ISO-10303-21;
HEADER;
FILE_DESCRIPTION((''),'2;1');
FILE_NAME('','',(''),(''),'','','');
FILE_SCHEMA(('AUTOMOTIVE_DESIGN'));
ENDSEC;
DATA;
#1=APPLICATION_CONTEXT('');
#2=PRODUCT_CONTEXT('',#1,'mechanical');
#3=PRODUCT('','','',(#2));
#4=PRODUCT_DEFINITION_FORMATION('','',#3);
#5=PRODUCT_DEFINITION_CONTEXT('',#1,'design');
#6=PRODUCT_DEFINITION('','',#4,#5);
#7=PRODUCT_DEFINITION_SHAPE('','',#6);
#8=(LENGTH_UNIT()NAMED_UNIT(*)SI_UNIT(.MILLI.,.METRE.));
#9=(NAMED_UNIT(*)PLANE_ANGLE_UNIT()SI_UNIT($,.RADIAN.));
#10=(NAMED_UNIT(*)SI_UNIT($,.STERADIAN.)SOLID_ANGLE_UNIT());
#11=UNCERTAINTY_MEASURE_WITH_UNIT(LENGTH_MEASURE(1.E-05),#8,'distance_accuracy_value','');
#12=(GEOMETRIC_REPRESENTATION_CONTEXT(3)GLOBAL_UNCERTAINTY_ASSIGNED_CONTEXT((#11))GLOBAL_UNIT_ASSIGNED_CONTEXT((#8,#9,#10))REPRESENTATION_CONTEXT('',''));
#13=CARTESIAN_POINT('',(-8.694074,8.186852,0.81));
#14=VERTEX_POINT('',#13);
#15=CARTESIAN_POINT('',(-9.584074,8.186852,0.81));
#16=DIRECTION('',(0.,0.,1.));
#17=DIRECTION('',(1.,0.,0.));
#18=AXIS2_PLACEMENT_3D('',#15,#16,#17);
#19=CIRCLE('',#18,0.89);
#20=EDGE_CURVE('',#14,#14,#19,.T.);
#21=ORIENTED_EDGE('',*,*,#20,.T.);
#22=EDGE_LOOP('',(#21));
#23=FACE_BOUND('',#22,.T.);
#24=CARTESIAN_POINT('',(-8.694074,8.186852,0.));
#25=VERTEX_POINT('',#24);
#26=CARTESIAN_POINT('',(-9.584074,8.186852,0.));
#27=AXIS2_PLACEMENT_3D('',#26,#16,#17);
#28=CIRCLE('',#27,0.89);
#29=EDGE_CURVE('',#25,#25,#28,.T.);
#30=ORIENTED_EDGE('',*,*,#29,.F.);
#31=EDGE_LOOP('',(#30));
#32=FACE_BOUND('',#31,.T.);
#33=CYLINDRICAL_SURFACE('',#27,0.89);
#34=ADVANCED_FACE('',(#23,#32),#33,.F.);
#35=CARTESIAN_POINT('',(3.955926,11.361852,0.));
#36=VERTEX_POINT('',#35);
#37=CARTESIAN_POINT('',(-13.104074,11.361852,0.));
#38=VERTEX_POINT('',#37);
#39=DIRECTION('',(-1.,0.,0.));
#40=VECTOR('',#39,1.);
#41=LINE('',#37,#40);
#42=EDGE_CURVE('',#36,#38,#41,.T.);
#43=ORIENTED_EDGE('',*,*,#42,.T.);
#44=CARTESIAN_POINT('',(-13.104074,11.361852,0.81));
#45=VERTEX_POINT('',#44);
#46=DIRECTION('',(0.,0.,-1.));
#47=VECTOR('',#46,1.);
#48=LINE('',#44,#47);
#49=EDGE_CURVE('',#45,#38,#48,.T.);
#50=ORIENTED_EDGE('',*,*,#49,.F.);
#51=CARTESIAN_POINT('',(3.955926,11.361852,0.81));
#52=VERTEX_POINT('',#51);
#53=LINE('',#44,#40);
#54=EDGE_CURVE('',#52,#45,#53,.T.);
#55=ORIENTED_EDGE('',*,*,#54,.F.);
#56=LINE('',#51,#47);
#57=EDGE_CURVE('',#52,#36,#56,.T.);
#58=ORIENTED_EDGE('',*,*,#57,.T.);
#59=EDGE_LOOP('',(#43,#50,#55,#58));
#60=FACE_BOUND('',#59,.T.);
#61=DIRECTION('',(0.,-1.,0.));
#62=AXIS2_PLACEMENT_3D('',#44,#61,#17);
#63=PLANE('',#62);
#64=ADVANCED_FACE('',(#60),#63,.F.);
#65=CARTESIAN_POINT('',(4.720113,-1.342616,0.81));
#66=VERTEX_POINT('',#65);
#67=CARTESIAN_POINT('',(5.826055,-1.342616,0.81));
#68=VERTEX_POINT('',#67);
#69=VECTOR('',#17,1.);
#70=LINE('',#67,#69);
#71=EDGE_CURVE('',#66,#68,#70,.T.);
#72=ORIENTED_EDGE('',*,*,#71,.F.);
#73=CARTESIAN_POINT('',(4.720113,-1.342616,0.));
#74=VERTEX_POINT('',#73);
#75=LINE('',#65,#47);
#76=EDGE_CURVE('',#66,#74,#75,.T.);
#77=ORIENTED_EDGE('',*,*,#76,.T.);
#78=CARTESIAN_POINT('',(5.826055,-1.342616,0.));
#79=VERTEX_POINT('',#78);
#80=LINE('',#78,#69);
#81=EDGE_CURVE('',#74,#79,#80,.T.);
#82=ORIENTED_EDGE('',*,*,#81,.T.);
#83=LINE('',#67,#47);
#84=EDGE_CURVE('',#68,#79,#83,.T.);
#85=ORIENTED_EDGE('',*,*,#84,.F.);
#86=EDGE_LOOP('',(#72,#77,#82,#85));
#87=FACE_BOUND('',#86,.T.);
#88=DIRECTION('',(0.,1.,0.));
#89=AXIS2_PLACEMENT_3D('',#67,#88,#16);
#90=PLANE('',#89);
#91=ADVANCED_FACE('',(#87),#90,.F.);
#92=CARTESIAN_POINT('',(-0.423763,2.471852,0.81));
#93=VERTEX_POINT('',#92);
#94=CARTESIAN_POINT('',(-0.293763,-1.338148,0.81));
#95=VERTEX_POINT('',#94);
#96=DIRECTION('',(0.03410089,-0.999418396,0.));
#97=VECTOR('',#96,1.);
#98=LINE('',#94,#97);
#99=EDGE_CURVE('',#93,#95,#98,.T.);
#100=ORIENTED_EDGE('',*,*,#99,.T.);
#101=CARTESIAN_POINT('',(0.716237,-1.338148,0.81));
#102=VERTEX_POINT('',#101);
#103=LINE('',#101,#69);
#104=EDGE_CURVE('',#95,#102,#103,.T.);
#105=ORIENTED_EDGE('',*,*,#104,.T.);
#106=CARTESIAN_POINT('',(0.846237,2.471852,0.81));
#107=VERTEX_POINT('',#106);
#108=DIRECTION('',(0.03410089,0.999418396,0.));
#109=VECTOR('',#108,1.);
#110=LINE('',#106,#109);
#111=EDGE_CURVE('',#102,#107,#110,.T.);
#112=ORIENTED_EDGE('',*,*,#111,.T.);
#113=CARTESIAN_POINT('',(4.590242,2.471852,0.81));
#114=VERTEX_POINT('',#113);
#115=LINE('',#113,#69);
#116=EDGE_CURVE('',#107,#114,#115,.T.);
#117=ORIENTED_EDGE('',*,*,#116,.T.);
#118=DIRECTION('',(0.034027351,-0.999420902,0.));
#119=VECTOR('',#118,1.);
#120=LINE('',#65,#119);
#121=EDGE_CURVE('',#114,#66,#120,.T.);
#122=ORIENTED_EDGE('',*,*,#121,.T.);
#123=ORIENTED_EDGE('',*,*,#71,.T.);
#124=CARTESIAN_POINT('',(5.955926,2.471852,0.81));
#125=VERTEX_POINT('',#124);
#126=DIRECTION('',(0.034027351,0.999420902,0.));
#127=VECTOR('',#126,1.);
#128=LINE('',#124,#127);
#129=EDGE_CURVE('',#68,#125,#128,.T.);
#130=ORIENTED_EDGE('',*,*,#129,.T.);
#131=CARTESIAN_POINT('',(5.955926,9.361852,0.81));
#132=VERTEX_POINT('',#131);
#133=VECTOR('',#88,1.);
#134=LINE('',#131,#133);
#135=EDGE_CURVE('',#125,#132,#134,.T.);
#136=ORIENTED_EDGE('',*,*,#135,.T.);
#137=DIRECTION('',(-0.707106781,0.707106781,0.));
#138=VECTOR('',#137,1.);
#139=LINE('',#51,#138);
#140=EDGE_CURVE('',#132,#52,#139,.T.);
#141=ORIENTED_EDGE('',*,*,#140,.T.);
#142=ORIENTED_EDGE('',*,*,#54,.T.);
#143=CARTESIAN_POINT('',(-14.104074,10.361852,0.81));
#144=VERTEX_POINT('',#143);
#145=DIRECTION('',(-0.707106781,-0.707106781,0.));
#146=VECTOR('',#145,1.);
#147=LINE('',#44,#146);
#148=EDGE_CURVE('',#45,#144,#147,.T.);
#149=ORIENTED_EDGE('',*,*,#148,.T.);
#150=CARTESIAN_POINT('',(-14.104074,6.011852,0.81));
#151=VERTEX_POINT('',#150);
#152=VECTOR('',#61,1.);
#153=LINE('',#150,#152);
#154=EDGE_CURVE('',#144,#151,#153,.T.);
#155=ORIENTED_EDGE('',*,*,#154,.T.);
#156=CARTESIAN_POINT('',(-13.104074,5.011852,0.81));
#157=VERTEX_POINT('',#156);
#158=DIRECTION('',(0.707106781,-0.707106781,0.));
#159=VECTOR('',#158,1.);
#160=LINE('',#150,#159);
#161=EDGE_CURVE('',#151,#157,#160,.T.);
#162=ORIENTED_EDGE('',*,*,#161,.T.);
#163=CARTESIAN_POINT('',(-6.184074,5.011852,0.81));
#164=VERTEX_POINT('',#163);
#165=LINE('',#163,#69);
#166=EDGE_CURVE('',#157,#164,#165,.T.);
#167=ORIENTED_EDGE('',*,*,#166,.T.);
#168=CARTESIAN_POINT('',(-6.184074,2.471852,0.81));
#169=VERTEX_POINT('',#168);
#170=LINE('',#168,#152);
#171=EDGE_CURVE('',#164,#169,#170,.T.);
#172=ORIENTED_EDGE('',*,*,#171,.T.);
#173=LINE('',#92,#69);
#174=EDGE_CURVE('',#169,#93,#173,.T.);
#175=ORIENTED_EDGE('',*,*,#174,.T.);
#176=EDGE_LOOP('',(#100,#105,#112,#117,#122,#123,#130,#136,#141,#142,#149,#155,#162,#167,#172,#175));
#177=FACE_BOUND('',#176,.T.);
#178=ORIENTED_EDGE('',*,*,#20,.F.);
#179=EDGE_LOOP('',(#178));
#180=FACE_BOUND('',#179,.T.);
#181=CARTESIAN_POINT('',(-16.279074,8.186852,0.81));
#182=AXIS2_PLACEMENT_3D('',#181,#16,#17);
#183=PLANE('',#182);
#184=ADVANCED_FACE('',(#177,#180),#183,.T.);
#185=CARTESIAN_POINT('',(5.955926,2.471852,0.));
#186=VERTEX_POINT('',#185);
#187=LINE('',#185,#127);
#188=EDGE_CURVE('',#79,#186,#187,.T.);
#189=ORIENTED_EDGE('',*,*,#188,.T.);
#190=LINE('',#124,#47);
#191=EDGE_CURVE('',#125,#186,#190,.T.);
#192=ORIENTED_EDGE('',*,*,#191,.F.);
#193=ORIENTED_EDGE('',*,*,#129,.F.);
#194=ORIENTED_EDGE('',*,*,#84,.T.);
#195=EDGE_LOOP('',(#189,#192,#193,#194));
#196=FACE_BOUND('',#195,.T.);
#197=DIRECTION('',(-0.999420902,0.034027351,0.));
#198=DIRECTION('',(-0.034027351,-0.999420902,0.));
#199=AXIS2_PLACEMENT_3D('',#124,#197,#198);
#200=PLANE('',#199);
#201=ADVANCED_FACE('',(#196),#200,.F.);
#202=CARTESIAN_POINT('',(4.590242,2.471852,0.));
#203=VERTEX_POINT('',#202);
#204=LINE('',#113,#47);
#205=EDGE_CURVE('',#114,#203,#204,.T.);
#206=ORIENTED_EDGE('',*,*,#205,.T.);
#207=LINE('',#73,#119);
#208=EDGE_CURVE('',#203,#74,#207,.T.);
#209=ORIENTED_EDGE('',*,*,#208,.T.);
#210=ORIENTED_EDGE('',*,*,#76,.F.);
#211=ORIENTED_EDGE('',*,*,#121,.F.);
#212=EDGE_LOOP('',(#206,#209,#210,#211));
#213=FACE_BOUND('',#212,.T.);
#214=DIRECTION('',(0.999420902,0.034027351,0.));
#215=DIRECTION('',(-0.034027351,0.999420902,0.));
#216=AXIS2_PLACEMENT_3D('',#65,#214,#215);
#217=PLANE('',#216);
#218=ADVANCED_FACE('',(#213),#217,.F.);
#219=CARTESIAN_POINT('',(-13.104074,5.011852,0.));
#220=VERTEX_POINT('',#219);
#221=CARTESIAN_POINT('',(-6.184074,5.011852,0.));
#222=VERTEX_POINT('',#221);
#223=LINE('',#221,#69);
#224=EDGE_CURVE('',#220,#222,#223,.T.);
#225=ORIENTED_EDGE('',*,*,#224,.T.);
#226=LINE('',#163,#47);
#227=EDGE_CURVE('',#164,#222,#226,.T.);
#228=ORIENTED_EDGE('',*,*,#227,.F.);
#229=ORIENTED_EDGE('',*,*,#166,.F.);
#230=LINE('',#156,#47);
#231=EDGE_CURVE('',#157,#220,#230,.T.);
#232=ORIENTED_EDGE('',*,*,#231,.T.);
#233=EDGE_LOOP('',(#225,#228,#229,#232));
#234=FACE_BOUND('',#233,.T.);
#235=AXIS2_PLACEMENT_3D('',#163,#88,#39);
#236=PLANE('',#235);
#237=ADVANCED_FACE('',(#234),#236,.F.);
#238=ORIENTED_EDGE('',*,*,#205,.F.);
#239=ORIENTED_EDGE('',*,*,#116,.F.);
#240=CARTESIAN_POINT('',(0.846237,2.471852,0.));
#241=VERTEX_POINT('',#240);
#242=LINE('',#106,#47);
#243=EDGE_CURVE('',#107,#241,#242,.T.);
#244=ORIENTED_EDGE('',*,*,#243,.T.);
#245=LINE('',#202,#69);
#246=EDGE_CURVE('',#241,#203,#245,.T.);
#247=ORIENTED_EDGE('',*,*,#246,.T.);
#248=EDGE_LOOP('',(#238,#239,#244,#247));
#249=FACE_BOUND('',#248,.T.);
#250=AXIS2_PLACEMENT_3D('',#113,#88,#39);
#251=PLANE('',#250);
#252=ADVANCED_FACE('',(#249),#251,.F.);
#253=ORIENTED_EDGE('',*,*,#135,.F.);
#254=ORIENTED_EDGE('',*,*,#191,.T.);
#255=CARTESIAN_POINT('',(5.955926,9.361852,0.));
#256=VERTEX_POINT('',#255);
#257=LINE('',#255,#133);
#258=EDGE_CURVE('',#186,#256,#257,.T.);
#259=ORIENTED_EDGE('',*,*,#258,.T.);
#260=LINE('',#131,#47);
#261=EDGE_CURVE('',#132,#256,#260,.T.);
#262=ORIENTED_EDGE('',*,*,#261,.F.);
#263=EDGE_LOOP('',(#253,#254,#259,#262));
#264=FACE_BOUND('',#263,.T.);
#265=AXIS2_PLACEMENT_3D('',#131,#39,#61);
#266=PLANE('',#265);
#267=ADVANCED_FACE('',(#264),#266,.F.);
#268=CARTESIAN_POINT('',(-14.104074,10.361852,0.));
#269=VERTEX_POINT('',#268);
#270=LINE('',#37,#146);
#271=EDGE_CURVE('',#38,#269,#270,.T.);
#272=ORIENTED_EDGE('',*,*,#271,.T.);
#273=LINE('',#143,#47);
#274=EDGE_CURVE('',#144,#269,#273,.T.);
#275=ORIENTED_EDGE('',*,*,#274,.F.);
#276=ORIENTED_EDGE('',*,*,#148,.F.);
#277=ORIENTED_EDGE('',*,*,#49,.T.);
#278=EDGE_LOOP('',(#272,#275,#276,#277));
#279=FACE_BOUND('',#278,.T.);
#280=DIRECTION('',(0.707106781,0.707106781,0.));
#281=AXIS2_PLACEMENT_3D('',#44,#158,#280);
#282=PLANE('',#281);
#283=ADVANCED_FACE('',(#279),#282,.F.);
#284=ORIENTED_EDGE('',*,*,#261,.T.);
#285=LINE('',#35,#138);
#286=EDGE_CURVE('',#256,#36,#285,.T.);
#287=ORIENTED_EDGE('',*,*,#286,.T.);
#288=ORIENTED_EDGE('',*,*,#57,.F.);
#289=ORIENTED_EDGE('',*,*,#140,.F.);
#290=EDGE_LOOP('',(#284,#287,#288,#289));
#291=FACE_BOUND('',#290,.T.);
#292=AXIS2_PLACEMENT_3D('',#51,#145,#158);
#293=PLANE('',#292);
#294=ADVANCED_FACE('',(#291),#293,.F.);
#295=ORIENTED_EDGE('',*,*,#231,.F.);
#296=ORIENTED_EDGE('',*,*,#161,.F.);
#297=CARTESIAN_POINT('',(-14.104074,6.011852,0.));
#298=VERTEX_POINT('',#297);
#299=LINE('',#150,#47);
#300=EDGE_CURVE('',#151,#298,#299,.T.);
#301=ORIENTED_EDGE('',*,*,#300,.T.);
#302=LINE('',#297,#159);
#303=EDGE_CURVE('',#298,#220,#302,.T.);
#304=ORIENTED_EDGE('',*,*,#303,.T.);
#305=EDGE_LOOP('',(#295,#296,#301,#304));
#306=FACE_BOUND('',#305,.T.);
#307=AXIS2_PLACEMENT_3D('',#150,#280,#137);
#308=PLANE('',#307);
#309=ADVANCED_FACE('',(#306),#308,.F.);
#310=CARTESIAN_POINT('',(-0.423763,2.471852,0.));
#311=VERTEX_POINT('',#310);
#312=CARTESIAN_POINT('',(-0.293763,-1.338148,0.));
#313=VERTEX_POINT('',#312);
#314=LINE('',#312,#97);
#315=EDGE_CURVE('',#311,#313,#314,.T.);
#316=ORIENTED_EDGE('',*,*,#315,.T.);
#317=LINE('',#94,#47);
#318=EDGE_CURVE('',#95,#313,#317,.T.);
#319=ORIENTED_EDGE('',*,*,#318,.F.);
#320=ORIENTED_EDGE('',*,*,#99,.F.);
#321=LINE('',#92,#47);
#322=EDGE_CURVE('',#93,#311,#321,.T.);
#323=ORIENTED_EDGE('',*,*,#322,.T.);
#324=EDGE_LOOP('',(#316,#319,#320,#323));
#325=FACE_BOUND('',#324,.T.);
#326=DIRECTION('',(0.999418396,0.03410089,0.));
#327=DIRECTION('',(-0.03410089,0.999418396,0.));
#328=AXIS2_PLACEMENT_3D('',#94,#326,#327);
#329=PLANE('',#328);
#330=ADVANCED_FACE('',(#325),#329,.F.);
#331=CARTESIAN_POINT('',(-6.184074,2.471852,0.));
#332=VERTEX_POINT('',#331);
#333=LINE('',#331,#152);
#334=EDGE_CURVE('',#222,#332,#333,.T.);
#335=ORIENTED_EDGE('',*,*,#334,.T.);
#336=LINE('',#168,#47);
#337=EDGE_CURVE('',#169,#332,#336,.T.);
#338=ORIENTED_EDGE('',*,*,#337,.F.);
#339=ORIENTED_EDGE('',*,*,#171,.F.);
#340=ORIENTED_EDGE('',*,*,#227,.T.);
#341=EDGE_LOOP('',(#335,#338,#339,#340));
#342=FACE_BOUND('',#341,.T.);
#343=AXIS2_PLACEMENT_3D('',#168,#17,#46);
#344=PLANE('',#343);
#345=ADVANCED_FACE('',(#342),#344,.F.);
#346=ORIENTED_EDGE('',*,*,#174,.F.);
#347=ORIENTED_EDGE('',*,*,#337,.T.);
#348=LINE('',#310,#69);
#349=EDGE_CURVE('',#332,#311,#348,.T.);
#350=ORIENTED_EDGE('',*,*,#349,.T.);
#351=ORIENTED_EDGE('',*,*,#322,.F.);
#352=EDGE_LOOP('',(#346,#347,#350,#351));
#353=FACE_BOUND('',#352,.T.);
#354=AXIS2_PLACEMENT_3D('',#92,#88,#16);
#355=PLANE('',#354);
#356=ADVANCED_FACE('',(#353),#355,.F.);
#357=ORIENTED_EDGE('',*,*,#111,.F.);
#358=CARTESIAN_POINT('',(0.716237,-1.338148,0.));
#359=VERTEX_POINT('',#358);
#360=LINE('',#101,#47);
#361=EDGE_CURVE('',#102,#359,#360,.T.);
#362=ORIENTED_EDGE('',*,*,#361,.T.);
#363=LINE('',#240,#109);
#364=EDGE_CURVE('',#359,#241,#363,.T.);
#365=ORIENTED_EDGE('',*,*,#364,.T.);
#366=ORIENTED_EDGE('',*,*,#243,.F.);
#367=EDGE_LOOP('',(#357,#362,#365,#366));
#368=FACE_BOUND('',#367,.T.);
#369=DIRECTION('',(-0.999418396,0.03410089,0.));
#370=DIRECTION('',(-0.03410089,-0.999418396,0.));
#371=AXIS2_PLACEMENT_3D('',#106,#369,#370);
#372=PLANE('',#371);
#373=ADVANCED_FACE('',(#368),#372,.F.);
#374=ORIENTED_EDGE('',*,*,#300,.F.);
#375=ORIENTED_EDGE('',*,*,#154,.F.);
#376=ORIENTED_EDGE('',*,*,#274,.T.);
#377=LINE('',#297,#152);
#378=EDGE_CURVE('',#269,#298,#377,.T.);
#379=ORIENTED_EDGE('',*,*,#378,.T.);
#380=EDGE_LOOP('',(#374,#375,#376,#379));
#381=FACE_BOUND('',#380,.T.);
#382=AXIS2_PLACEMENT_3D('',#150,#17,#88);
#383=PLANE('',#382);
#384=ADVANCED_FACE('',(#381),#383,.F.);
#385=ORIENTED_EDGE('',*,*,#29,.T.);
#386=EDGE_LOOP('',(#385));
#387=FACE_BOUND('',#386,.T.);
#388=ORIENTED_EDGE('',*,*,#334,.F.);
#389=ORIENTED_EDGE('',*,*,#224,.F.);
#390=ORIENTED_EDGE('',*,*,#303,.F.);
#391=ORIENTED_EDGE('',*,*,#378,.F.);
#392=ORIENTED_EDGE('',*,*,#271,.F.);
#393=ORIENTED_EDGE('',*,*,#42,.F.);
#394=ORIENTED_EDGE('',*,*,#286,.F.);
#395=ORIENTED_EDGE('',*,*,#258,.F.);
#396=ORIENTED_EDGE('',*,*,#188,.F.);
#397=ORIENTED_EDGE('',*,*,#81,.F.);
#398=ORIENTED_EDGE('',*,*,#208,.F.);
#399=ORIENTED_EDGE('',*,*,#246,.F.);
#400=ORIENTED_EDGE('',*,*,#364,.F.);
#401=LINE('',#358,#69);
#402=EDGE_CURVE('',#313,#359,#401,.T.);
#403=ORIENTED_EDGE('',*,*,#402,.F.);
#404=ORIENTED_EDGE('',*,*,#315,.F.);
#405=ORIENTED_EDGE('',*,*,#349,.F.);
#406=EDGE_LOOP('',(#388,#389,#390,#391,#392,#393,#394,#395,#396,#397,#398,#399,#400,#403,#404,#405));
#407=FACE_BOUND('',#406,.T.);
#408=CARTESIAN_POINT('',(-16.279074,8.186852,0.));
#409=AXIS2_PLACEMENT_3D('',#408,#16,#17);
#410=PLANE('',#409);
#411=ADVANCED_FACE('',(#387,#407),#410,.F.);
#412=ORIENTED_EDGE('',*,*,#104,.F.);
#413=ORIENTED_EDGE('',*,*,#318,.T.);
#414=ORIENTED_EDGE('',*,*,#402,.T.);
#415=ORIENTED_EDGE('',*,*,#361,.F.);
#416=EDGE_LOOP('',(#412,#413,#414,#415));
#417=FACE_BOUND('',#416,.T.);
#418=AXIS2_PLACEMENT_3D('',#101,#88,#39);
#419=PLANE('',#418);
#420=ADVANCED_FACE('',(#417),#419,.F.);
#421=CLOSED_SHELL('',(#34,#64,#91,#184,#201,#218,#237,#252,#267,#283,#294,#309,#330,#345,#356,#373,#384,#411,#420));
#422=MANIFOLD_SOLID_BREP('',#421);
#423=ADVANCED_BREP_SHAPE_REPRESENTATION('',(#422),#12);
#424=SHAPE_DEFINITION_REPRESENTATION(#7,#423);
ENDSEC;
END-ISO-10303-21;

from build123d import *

# Parameters (mm, degrees)
EXTRUSION1_DEPTH        = 0.81
ESQUISSE2_R             = 0.89
ENL_V_MAT_EXTRU_1_DEPTH = 0.81


with BuildPart() as part:
    # Esquisse1 → Extrusion1 (new body)
    with BuildSketch(Plane.XY):
        Polygon((-13.10407394, 11.361851996), (3.95592606, 11.361851996), (5.95592606, 9.361851996), (5.95592606, 2.471851996), (5.826054609, -1.342616085), (4.720113353, -1.342616085), (4.590241902, 2.471851996), (0.846236894, 2.471851996), (0.716236894, -1.338148004), (-0.293763106, -1.338148004), (-0.423763106, 2.471851996), (-6.18407394, 2.471851996), (-6.18407394, 5.011851996), (-13.10407394, 5.011851996), (-14.10407394, 6.011851996), (-14.10407394, 10.361851996), align=None)
    extrude(amount=EXTRUSION1_DEPTH)

    # Esquisse2 → Enlèv. mat.-Extru.1 (cut)
    with BuildSketch(Plane.XY.offset(0.81)):
        with Locations((-9.58407394, 8.186851996)):
            Circle(ESQUISSE2_R)
    extrude(amount=-ENL_V_MAT_EXTRU_1_DEPTH, mode=Mode.SUBTRACT)


solid = part.part
